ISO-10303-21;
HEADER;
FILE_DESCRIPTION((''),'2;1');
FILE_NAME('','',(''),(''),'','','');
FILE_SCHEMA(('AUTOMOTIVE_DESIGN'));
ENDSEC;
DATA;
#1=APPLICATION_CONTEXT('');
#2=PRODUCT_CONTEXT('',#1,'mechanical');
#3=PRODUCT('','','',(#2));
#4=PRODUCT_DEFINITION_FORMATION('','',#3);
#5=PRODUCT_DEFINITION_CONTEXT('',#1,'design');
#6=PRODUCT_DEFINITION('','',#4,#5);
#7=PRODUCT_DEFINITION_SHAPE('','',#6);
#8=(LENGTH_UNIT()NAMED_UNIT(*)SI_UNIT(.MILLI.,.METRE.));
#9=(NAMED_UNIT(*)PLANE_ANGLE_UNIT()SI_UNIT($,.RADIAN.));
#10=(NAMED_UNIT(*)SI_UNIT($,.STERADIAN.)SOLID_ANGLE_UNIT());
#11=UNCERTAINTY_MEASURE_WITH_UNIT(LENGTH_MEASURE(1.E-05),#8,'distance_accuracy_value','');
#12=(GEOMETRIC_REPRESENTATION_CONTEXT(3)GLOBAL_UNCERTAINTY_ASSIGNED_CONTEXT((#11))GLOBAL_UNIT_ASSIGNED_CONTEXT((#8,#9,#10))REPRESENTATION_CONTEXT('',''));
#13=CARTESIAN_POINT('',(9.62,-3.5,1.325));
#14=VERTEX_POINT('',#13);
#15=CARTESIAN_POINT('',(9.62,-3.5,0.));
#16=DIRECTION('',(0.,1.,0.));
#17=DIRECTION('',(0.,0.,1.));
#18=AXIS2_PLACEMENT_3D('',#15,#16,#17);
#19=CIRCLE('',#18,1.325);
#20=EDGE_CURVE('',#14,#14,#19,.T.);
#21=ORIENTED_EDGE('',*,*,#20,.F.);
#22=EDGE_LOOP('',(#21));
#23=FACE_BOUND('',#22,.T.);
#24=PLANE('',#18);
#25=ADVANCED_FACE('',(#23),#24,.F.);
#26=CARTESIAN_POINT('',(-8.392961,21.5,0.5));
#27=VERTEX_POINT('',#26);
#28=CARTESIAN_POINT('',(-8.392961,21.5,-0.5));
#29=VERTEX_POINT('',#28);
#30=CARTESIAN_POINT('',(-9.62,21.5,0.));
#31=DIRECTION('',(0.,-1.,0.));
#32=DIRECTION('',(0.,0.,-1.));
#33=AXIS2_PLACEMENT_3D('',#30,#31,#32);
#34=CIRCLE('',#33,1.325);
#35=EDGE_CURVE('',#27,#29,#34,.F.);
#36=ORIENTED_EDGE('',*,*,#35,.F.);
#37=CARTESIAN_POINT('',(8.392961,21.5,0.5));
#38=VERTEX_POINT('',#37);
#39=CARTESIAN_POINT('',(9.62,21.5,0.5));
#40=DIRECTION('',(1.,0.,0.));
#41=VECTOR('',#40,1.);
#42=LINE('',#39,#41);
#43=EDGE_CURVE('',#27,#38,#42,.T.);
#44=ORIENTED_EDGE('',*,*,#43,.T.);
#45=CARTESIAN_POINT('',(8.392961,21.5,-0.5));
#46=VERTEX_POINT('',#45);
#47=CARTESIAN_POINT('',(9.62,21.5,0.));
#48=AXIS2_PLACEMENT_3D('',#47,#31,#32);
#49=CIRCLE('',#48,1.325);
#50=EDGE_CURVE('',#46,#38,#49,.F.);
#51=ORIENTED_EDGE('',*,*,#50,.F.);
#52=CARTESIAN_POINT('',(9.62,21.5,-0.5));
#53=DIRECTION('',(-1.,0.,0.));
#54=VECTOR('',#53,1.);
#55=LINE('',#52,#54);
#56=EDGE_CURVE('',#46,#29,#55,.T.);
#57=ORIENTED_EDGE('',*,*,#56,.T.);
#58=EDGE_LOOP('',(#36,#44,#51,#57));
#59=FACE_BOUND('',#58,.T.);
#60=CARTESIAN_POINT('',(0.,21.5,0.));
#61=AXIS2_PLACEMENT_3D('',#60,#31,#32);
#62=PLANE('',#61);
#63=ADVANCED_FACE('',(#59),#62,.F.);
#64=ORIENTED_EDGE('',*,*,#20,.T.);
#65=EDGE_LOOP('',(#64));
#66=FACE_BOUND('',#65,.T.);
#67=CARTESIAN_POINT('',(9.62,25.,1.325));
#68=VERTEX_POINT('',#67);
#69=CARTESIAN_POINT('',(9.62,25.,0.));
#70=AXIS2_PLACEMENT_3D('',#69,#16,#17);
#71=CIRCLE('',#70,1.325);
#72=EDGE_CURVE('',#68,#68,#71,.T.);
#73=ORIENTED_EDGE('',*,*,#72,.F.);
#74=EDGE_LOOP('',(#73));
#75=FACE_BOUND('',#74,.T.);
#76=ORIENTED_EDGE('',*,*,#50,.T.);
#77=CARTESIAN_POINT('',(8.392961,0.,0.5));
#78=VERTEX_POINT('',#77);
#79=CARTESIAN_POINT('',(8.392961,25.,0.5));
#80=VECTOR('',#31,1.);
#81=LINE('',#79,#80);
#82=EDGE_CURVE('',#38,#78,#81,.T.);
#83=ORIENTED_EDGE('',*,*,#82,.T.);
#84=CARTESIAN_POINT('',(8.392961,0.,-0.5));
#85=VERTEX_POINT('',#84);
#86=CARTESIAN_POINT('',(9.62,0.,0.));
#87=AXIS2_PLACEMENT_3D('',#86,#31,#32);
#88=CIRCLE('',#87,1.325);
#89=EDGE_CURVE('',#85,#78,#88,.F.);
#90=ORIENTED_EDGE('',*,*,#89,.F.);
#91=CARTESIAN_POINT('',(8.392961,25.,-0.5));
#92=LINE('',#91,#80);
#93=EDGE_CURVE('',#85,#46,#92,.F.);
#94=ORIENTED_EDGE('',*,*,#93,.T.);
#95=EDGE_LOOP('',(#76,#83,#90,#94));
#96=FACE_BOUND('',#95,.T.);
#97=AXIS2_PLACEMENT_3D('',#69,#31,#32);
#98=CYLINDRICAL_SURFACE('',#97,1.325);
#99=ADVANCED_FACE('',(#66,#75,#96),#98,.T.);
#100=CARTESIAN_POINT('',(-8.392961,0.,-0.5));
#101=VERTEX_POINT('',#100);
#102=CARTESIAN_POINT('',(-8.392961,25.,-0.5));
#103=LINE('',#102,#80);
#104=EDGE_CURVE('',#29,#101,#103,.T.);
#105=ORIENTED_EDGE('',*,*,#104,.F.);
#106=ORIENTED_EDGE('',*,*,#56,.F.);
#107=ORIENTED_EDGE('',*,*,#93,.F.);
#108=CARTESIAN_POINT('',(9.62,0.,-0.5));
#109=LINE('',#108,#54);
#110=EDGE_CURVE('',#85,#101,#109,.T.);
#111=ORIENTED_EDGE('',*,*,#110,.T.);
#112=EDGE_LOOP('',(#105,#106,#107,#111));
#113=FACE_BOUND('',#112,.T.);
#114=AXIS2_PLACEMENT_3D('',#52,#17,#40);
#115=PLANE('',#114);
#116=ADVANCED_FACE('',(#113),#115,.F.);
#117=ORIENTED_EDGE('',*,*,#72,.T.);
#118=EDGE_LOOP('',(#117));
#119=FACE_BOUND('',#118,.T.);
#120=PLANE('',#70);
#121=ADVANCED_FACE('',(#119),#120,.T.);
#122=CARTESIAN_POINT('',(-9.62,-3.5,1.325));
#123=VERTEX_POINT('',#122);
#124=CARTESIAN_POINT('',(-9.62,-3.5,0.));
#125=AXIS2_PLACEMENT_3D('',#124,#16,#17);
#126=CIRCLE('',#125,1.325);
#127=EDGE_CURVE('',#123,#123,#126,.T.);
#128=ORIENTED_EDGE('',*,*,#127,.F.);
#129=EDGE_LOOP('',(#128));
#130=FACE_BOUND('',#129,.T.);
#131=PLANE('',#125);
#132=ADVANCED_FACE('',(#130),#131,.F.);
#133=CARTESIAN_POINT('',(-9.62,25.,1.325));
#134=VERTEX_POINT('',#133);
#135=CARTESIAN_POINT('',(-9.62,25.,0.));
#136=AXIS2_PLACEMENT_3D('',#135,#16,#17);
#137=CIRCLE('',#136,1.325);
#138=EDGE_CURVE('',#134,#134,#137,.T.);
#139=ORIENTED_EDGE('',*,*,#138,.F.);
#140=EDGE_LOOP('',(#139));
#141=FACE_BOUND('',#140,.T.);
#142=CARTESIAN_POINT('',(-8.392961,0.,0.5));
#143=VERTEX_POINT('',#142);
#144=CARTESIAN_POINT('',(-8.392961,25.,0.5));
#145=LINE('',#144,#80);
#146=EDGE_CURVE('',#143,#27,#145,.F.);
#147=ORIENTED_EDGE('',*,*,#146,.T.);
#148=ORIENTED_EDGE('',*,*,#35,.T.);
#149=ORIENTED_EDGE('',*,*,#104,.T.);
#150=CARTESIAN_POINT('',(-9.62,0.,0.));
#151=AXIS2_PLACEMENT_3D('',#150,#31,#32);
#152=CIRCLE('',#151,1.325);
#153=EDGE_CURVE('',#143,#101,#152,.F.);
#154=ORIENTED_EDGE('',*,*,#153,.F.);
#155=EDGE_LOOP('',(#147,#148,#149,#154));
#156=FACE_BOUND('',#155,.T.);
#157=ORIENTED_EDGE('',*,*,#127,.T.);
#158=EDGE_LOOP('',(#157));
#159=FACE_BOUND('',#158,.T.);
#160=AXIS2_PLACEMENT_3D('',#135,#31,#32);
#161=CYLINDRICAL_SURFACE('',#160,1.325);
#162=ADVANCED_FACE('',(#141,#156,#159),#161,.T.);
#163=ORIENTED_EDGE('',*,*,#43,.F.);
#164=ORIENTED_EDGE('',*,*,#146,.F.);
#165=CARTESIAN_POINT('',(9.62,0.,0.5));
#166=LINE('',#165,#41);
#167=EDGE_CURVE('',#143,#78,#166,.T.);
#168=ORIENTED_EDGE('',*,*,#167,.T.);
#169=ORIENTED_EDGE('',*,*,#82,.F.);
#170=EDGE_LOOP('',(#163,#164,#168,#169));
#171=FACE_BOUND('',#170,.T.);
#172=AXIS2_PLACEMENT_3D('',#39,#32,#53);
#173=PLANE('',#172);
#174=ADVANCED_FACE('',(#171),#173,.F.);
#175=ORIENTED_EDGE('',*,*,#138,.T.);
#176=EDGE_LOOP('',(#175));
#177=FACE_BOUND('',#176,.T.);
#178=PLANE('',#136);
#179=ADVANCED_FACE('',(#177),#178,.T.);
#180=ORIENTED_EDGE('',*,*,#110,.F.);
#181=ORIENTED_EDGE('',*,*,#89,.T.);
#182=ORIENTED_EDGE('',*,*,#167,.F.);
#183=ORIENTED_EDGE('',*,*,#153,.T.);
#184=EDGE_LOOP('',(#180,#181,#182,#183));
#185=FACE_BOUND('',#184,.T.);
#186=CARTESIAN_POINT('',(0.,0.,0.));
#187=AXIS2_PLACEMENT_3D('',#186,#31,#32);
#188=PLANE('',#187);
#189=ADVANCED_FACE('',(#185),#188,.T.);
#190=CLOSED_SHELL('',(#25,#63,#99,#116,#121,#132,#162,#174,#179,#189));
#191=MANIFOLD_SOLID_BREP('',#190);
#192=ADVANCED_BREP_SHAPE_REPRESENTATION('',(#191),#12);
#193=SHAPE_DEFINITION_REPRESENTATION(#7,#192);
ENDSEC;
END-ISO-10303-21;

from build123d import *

# Parameters (mm, degrees)
SKETCH1_W           = 19.24
SKETCH1_H           = 1
BOSS_EXTRUDE1_DEPTH = 21.5
SKETCH2_R           = 1.325
BOSS_EXTRUDE2_DEPTH = 14.25


with BuildPart() as part:
    # Sketch1 → Boss-Extrude1 (new body)
    with BuildSketch(Plane(origin=(0, 0, 0), x_dir=(1, 0, 0), z_dir=(0, 1, 0))):
        Rectangle(SKETCH1_W, SKETCH1_H)
    extrude(amount=BOSS_EXTRUDE1_DEPTH)

    # Sketch2 → Boss-Extrude2 (add, symmetric)
    with BuildSketch(Plane(origin=(0, 10.75, 0), x_dir=(1, 0, 0), z_dir=(0, 1, 0))):
        with Locations(Location((-9.62, 0, 0), (0, 0, 270))):
            Circle(SKETCH2_R)
        with Locations(Location((9.62, 0, 0), (0, 0, 270))):
            Circle(SKETCH2_R)
    extrude(amount=BOSS_EXTRUDE2_DEPTH, both=True)


solid = part.part
